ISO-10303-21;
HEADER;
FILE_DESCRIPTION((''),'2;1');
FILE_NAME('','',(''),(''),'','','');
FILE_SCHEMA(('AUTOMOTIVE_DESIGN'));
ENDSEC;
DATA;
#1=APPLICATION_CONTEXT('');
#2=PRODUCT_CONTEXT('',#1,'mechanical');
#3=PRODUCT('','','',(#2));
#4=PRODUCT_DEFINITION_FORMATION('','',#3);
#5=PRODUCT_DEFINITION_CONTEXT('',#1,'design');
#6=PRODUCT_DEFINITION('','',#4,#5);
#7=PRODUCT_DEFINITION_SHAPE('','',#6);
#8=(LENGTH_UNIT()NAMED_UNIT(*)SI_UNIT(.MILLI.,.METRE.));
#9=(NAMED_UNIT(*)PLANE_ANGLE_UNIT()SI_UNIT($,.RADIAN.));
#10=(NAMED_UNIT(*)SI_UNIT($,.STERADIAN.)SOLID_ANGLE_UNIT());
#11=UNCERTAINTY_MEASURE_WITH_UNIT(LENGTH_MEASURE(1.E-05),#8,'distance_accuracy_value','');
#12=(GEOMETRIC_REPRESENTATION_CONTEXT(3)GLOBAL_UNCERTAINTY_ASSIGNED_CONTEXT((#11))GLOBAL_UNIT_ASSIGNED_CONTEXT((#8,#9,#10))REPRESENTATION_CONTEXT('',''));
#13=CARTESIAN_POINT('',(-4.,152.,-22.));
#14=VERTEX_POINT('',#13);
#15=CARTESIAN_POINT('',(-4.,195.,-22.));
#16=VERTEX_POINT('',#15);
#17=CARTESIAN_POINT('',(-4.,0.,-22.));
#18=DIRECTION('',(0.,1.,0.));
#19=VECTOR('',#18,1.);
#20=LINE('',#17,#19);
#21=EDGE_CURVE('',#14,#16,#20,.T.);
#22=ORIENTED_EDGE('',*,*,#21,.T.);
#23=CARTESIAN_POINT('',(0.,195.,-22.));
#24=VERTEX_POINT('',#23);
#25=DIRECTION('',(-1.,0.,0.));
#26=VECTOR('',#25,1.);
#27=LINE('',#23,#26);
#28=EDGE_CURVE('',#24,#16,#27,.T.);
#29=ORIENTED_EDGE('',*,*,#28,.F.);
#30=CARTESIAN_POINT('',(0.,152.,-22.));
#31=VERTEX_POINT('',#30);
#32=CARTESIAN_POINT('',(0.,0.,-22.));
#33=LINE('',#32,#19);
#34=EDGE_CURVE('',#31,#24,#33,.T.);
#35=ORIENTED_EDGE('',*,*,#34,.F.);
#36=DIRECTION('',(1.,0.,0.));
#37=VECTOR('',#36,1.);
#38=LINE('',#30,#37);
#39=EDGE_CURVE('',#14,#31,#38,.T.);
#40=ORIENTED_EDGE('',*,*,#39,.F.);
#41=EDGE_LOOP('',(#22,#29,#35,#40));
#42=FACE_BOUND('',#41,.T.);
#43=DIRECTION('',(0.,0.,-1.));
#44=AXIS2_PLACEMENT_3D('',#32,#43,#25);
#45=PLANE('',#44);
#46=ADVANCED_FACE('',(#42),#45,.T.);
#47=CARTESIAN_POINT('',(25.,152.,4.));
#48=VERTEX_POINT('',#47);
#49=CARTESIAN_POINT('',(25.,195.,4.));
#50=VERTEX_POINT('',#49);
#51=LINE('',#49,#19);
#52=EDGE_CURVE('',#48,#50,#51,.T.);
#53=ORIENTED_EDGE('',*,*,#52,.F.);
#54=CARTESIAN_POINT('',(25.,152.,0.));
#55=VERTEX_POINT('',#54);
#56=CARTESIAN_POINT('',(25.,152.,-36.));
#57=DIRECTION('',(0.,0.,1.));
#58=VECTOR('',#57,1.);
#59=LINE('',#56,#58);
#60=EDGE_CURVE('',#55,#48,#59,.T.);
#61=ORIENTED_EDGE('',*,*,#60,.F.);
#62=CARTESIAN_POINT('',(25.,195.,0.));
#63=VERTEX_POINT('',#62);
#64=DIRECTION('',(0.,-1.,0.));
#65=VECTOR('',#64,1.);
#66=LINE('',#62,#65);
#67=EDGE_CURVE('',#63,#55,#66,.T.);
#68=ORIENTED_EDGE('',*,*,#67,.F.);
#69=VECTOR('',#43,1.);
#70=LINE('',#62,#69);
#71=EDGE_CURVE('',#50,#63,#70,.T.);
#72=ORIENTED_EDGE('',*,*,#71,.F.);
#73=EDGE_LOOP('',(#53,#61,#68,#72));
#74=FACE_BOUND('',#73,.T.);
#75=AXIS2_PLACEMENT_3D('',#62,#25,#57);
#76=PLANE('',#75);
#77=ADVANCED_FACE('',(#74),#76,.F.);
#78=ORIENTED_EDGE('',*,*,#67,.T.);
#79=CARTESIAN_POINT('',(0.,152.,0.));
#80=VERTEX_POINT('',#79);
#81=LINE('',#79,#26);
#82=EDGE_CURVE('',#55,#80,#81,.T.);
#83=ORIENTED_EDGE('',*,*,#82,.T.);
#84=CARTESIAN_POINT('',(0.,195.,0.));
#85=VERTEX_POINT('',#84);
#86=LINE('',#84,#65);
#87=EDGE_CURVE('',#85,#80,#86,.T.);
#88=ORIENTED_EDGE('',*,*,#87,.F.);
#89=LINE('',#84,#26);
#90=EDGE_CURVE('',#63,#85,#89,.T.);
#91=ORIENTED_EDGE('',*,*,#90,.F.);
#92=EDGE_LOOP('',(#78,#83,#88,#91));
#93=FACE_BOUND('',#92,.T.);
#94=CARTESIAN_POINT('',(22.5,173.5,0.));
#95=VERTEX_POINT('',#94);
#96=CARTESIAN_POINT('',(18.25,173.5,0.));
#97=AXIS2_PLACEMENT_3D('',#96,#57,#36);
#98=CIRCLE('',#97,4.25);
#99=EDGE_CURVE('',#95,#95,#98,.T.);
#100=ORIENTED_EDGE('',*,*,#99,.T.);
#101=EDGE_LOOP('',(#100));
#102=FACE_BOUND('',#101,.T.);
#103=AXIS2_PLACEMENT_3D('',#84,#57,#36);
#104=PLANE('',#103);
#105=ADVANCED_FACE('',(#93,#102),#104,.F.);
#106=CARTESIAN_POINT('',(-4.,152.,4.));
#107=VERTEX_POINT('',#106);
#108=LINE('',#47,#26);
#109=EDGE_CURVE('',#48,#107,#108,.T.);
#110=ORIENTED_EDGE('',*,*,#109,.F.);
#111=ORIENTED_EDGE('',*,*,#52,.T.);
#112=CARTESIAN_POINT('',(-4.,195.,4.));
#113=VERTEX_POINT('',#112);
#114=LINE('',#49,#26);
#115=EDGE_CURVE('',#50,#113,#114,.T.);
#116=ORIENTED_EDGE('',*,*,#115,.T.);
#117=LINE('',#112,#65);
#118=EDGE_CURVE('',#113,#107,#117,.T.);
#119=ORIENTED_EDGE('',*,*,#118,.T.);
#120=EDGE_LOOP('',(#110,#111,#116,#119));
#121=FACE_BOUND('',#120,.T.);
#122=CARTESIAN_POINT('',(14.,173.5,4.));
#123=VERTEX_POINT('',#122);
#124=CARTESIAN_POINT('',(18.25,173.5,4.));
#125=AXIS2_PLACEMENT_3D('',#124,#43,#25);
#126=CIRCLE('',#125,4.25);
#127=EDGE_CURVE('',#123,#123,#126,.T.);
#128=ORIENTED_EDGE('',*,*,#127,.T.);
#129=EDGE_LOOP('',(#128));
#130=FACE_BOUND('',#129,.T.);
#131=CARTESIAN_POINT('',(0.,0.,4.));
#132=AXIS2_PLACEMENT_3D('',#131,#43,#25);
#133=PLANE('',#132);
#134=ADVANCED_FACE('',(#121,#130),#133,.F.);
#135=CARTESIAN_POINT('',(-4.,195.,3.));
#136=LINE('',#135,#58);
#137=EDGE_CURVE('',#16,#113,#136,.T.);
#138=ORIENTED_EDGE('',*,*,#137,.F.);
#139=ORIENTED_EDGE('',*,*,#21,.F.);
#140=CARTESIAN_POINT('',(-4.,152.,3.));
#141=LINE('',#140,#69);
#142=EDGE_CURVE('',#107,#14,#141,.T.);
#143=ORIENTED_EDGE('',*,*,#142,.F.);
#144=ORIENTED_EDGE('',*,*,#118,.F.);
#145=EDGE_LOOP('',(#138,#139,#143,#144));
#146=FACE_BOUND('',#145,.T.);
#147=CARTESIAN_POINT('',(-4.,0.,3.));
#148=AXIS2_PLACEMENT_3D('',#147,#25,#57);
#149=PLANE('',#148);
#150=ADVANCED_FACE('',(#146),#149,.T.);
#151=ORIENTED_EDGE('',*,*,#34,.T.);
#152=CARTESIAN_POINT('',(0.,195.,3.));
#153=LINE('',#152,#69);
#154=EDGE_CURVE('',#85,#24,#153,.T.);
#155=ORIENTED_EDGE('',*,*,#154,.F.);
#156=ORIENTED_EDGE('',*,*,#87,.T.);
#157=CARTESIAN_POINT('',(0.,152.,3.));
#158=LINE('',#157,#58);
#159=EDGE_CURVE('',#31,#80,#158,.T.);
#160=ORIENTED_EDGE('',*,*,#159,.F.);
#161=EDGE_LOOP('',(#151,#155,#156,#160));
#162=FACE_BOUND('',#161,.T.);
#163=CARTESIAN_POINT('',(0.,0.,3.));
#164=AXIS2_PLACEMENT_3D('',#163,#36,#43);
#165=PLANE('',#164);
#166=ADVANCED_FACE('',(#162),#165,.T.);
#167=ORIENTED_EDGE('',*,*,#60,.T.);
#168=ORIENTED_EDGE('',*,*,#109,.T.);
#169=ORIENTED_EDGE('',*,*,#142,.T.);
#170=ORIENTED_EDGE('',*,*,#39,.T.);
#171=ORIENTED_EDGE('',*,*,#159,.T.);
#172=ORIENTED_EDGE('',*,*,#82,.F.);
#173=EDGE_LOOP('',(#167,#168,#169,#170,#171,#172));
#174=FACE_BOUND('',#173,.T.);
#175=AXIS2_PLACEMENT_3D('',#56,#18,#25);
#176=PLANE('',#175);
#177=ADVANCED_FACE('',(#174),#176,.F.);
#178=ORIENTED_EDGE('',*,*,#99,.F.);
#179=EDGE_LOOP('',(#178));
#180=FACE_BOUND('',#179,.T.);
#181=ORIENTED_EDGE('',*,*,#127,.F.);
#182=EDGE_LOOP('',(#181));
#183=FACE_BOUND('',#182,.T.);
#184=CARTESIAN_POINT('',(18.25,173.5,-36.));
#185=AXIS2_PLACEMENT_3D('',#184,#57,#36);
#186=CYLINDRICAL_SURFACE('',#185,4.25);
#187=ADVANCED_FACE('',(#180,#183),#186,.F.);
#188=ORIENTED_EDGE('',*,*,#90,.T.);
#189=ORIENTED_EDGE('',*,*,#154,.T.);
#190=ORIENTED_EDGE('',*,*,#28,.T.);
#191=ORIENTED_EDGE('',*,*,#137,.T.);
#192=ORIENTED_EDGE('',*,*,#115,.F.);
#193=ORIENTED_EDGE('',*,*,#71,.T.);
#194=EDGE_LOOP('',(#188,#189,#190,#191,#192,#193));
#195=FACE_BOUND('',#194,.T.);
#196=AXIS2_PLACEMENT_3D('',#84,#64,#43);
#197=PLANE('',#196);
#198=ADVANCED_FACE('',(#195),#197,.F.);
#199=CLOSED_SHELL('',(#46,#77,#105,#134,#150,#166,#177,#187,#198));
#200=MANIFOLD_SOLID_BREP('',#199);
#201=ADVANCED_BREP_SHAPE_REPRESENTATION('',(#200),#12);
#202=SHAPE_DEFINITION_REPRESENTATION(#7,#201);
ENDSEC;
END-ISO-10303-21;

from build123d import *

# Parameters (mm, degrees)
CROQUIS1_W              = 25
CROQUIS1_H              = 3
SALIENTE_EXTRUIR1_DEPTH = 195
CROQUIS2_R              = 4.25
CORTAR_EXTRUIR1_DEPTH   = 195
CROQUIS3_W              = 4
CROQUIS3_H              = 25
SALIENTE_EXTRUIR2_DEPTH = 195
SALIENTE_EXTRUIR3_START = 1
CROQUIS4_W              = 29
CROQUIS4_H              = 195
CROQUIS4_R              = 4.25
SALIENTE_EXTRUIR3_DEPTH = 1
CROQUIS5_W              = 149.811438776
CROQUIS5_H              = 152
CORTAR_EXTRUIR4_DEPTH   = 40
CROQUIS6_R              = 4.25
CORTAR_EXTRUIR5_DEPTH   = 40
SALIENTE_EXTRUIR4_DEPTH = 4


with BuildPart() as part:
    # Croquis1 → Saliente-Extruir1 (new body)
    with BuildSketch(Plane(origin=(0, 0, 0), x_dir=(1, 0, 0), z_dir=(0, 1, 0))):
        with Locations((12.5, -1.5)):
            Rectangle(CROQUIS1_W, CROQUIS1_H)
    extrude(amount=SALIENTE_EXTRUIR1_DEPTH)

    # Croquis2 → Cortar-Extruir1 (cut)
    with BuildSketch(Plane.XY.offset(3)):
        with Locations((18.25, 180)):
            Circle(CROQUIS2_R)
        with Locations((18.25, 97.5)):
            Circle(CROQUIS2_R)
        with Locations((18.25, 15)):
            Circle(CROQUIS2_R)
    extrude(amount=-CORTAR_EXTRUIR1_DEPTH, mode=Mode.SUBTRACT)

    # Croquis3 → Saliente-Extruir2 (add)
    with BuildSketch(Plane(origin=(0, 195, 0), x_dir=(1, 0, 0), z_dir=(0, 1, 0))):
        with Locations((-2, 9.5)):
            Rectangle(CROQUIS3_W, CROQUIS3_H)
    extrude(amount=-SALIENTE_EXTRUIR2_DEPTH)

    # Croquis4 → Saliente-Extruir3 (add)
    with BuildSketch(Plane.XY.offset(3).offset(SALIENTE_EXTRUIR3_START)):
        with Locations((10.5, 97.5)):
            Rectangle(CROQUIS4_W, CROQUIS4_H)
        with Locations((18.25, 15)):
            Circle(CROQUIS4_R, mode=Mode.SUBTRACT)
        with Locations((18.25, 97.5)):
            Circle(CROQUIS4_R, mode=Mode.SUBTRACT)
        with Locations((18.25, 180)):
            Circle(CROQUIS4_R, mode=Mode.SUBTRACT)
    extrude(amount=-SALIENTE_EXTRUIR3_DEPTH)

    # Croquis5 → Cortar-Extruir4 (cut)
    with BuildSketch(Plane.XY.offset(4)):
        with Locations((-49.905719388, 76)):
            Rectangle(CROQUIS5_W, CROQUIS5_H)
    extrude(amount=-CORTAR_EXTRUIR4_DEPTH, mode=Mode.SUBTRACT)

    # Croquis6 → Cortar-Extruir5 (cut)
    with BuildSketch(Plane.XY.offset(4)):
        with Locations((18.25, 173.5)):
            Circle(CROQUIS6_R)
    extrude(amount=-CORTAR_EXTRUIR5_DEPTH, mode=Mode.SUBTRACT)

    # Croquis7 → Saliente-Extruir4 (add)
    with BuildSketch(Plane.XY.offset(4)):
        with BuildLine():
            ThreePointArc((20.988612788, 176.75), (22.103673854, 178.207878959), (22.5, 180))
            ThreePointArc((22.5, 180), (16.457878959, 183.853673854), (15.511387212, 176.75))
            ThreePointArc((15.511387212, 176.75), (18.25, 177.75), (20.988612788, 176.75))
        make_face()
    extrude(amount=-SALIENTE_EXTRUIR4_DEPTH)


solid = part.part
